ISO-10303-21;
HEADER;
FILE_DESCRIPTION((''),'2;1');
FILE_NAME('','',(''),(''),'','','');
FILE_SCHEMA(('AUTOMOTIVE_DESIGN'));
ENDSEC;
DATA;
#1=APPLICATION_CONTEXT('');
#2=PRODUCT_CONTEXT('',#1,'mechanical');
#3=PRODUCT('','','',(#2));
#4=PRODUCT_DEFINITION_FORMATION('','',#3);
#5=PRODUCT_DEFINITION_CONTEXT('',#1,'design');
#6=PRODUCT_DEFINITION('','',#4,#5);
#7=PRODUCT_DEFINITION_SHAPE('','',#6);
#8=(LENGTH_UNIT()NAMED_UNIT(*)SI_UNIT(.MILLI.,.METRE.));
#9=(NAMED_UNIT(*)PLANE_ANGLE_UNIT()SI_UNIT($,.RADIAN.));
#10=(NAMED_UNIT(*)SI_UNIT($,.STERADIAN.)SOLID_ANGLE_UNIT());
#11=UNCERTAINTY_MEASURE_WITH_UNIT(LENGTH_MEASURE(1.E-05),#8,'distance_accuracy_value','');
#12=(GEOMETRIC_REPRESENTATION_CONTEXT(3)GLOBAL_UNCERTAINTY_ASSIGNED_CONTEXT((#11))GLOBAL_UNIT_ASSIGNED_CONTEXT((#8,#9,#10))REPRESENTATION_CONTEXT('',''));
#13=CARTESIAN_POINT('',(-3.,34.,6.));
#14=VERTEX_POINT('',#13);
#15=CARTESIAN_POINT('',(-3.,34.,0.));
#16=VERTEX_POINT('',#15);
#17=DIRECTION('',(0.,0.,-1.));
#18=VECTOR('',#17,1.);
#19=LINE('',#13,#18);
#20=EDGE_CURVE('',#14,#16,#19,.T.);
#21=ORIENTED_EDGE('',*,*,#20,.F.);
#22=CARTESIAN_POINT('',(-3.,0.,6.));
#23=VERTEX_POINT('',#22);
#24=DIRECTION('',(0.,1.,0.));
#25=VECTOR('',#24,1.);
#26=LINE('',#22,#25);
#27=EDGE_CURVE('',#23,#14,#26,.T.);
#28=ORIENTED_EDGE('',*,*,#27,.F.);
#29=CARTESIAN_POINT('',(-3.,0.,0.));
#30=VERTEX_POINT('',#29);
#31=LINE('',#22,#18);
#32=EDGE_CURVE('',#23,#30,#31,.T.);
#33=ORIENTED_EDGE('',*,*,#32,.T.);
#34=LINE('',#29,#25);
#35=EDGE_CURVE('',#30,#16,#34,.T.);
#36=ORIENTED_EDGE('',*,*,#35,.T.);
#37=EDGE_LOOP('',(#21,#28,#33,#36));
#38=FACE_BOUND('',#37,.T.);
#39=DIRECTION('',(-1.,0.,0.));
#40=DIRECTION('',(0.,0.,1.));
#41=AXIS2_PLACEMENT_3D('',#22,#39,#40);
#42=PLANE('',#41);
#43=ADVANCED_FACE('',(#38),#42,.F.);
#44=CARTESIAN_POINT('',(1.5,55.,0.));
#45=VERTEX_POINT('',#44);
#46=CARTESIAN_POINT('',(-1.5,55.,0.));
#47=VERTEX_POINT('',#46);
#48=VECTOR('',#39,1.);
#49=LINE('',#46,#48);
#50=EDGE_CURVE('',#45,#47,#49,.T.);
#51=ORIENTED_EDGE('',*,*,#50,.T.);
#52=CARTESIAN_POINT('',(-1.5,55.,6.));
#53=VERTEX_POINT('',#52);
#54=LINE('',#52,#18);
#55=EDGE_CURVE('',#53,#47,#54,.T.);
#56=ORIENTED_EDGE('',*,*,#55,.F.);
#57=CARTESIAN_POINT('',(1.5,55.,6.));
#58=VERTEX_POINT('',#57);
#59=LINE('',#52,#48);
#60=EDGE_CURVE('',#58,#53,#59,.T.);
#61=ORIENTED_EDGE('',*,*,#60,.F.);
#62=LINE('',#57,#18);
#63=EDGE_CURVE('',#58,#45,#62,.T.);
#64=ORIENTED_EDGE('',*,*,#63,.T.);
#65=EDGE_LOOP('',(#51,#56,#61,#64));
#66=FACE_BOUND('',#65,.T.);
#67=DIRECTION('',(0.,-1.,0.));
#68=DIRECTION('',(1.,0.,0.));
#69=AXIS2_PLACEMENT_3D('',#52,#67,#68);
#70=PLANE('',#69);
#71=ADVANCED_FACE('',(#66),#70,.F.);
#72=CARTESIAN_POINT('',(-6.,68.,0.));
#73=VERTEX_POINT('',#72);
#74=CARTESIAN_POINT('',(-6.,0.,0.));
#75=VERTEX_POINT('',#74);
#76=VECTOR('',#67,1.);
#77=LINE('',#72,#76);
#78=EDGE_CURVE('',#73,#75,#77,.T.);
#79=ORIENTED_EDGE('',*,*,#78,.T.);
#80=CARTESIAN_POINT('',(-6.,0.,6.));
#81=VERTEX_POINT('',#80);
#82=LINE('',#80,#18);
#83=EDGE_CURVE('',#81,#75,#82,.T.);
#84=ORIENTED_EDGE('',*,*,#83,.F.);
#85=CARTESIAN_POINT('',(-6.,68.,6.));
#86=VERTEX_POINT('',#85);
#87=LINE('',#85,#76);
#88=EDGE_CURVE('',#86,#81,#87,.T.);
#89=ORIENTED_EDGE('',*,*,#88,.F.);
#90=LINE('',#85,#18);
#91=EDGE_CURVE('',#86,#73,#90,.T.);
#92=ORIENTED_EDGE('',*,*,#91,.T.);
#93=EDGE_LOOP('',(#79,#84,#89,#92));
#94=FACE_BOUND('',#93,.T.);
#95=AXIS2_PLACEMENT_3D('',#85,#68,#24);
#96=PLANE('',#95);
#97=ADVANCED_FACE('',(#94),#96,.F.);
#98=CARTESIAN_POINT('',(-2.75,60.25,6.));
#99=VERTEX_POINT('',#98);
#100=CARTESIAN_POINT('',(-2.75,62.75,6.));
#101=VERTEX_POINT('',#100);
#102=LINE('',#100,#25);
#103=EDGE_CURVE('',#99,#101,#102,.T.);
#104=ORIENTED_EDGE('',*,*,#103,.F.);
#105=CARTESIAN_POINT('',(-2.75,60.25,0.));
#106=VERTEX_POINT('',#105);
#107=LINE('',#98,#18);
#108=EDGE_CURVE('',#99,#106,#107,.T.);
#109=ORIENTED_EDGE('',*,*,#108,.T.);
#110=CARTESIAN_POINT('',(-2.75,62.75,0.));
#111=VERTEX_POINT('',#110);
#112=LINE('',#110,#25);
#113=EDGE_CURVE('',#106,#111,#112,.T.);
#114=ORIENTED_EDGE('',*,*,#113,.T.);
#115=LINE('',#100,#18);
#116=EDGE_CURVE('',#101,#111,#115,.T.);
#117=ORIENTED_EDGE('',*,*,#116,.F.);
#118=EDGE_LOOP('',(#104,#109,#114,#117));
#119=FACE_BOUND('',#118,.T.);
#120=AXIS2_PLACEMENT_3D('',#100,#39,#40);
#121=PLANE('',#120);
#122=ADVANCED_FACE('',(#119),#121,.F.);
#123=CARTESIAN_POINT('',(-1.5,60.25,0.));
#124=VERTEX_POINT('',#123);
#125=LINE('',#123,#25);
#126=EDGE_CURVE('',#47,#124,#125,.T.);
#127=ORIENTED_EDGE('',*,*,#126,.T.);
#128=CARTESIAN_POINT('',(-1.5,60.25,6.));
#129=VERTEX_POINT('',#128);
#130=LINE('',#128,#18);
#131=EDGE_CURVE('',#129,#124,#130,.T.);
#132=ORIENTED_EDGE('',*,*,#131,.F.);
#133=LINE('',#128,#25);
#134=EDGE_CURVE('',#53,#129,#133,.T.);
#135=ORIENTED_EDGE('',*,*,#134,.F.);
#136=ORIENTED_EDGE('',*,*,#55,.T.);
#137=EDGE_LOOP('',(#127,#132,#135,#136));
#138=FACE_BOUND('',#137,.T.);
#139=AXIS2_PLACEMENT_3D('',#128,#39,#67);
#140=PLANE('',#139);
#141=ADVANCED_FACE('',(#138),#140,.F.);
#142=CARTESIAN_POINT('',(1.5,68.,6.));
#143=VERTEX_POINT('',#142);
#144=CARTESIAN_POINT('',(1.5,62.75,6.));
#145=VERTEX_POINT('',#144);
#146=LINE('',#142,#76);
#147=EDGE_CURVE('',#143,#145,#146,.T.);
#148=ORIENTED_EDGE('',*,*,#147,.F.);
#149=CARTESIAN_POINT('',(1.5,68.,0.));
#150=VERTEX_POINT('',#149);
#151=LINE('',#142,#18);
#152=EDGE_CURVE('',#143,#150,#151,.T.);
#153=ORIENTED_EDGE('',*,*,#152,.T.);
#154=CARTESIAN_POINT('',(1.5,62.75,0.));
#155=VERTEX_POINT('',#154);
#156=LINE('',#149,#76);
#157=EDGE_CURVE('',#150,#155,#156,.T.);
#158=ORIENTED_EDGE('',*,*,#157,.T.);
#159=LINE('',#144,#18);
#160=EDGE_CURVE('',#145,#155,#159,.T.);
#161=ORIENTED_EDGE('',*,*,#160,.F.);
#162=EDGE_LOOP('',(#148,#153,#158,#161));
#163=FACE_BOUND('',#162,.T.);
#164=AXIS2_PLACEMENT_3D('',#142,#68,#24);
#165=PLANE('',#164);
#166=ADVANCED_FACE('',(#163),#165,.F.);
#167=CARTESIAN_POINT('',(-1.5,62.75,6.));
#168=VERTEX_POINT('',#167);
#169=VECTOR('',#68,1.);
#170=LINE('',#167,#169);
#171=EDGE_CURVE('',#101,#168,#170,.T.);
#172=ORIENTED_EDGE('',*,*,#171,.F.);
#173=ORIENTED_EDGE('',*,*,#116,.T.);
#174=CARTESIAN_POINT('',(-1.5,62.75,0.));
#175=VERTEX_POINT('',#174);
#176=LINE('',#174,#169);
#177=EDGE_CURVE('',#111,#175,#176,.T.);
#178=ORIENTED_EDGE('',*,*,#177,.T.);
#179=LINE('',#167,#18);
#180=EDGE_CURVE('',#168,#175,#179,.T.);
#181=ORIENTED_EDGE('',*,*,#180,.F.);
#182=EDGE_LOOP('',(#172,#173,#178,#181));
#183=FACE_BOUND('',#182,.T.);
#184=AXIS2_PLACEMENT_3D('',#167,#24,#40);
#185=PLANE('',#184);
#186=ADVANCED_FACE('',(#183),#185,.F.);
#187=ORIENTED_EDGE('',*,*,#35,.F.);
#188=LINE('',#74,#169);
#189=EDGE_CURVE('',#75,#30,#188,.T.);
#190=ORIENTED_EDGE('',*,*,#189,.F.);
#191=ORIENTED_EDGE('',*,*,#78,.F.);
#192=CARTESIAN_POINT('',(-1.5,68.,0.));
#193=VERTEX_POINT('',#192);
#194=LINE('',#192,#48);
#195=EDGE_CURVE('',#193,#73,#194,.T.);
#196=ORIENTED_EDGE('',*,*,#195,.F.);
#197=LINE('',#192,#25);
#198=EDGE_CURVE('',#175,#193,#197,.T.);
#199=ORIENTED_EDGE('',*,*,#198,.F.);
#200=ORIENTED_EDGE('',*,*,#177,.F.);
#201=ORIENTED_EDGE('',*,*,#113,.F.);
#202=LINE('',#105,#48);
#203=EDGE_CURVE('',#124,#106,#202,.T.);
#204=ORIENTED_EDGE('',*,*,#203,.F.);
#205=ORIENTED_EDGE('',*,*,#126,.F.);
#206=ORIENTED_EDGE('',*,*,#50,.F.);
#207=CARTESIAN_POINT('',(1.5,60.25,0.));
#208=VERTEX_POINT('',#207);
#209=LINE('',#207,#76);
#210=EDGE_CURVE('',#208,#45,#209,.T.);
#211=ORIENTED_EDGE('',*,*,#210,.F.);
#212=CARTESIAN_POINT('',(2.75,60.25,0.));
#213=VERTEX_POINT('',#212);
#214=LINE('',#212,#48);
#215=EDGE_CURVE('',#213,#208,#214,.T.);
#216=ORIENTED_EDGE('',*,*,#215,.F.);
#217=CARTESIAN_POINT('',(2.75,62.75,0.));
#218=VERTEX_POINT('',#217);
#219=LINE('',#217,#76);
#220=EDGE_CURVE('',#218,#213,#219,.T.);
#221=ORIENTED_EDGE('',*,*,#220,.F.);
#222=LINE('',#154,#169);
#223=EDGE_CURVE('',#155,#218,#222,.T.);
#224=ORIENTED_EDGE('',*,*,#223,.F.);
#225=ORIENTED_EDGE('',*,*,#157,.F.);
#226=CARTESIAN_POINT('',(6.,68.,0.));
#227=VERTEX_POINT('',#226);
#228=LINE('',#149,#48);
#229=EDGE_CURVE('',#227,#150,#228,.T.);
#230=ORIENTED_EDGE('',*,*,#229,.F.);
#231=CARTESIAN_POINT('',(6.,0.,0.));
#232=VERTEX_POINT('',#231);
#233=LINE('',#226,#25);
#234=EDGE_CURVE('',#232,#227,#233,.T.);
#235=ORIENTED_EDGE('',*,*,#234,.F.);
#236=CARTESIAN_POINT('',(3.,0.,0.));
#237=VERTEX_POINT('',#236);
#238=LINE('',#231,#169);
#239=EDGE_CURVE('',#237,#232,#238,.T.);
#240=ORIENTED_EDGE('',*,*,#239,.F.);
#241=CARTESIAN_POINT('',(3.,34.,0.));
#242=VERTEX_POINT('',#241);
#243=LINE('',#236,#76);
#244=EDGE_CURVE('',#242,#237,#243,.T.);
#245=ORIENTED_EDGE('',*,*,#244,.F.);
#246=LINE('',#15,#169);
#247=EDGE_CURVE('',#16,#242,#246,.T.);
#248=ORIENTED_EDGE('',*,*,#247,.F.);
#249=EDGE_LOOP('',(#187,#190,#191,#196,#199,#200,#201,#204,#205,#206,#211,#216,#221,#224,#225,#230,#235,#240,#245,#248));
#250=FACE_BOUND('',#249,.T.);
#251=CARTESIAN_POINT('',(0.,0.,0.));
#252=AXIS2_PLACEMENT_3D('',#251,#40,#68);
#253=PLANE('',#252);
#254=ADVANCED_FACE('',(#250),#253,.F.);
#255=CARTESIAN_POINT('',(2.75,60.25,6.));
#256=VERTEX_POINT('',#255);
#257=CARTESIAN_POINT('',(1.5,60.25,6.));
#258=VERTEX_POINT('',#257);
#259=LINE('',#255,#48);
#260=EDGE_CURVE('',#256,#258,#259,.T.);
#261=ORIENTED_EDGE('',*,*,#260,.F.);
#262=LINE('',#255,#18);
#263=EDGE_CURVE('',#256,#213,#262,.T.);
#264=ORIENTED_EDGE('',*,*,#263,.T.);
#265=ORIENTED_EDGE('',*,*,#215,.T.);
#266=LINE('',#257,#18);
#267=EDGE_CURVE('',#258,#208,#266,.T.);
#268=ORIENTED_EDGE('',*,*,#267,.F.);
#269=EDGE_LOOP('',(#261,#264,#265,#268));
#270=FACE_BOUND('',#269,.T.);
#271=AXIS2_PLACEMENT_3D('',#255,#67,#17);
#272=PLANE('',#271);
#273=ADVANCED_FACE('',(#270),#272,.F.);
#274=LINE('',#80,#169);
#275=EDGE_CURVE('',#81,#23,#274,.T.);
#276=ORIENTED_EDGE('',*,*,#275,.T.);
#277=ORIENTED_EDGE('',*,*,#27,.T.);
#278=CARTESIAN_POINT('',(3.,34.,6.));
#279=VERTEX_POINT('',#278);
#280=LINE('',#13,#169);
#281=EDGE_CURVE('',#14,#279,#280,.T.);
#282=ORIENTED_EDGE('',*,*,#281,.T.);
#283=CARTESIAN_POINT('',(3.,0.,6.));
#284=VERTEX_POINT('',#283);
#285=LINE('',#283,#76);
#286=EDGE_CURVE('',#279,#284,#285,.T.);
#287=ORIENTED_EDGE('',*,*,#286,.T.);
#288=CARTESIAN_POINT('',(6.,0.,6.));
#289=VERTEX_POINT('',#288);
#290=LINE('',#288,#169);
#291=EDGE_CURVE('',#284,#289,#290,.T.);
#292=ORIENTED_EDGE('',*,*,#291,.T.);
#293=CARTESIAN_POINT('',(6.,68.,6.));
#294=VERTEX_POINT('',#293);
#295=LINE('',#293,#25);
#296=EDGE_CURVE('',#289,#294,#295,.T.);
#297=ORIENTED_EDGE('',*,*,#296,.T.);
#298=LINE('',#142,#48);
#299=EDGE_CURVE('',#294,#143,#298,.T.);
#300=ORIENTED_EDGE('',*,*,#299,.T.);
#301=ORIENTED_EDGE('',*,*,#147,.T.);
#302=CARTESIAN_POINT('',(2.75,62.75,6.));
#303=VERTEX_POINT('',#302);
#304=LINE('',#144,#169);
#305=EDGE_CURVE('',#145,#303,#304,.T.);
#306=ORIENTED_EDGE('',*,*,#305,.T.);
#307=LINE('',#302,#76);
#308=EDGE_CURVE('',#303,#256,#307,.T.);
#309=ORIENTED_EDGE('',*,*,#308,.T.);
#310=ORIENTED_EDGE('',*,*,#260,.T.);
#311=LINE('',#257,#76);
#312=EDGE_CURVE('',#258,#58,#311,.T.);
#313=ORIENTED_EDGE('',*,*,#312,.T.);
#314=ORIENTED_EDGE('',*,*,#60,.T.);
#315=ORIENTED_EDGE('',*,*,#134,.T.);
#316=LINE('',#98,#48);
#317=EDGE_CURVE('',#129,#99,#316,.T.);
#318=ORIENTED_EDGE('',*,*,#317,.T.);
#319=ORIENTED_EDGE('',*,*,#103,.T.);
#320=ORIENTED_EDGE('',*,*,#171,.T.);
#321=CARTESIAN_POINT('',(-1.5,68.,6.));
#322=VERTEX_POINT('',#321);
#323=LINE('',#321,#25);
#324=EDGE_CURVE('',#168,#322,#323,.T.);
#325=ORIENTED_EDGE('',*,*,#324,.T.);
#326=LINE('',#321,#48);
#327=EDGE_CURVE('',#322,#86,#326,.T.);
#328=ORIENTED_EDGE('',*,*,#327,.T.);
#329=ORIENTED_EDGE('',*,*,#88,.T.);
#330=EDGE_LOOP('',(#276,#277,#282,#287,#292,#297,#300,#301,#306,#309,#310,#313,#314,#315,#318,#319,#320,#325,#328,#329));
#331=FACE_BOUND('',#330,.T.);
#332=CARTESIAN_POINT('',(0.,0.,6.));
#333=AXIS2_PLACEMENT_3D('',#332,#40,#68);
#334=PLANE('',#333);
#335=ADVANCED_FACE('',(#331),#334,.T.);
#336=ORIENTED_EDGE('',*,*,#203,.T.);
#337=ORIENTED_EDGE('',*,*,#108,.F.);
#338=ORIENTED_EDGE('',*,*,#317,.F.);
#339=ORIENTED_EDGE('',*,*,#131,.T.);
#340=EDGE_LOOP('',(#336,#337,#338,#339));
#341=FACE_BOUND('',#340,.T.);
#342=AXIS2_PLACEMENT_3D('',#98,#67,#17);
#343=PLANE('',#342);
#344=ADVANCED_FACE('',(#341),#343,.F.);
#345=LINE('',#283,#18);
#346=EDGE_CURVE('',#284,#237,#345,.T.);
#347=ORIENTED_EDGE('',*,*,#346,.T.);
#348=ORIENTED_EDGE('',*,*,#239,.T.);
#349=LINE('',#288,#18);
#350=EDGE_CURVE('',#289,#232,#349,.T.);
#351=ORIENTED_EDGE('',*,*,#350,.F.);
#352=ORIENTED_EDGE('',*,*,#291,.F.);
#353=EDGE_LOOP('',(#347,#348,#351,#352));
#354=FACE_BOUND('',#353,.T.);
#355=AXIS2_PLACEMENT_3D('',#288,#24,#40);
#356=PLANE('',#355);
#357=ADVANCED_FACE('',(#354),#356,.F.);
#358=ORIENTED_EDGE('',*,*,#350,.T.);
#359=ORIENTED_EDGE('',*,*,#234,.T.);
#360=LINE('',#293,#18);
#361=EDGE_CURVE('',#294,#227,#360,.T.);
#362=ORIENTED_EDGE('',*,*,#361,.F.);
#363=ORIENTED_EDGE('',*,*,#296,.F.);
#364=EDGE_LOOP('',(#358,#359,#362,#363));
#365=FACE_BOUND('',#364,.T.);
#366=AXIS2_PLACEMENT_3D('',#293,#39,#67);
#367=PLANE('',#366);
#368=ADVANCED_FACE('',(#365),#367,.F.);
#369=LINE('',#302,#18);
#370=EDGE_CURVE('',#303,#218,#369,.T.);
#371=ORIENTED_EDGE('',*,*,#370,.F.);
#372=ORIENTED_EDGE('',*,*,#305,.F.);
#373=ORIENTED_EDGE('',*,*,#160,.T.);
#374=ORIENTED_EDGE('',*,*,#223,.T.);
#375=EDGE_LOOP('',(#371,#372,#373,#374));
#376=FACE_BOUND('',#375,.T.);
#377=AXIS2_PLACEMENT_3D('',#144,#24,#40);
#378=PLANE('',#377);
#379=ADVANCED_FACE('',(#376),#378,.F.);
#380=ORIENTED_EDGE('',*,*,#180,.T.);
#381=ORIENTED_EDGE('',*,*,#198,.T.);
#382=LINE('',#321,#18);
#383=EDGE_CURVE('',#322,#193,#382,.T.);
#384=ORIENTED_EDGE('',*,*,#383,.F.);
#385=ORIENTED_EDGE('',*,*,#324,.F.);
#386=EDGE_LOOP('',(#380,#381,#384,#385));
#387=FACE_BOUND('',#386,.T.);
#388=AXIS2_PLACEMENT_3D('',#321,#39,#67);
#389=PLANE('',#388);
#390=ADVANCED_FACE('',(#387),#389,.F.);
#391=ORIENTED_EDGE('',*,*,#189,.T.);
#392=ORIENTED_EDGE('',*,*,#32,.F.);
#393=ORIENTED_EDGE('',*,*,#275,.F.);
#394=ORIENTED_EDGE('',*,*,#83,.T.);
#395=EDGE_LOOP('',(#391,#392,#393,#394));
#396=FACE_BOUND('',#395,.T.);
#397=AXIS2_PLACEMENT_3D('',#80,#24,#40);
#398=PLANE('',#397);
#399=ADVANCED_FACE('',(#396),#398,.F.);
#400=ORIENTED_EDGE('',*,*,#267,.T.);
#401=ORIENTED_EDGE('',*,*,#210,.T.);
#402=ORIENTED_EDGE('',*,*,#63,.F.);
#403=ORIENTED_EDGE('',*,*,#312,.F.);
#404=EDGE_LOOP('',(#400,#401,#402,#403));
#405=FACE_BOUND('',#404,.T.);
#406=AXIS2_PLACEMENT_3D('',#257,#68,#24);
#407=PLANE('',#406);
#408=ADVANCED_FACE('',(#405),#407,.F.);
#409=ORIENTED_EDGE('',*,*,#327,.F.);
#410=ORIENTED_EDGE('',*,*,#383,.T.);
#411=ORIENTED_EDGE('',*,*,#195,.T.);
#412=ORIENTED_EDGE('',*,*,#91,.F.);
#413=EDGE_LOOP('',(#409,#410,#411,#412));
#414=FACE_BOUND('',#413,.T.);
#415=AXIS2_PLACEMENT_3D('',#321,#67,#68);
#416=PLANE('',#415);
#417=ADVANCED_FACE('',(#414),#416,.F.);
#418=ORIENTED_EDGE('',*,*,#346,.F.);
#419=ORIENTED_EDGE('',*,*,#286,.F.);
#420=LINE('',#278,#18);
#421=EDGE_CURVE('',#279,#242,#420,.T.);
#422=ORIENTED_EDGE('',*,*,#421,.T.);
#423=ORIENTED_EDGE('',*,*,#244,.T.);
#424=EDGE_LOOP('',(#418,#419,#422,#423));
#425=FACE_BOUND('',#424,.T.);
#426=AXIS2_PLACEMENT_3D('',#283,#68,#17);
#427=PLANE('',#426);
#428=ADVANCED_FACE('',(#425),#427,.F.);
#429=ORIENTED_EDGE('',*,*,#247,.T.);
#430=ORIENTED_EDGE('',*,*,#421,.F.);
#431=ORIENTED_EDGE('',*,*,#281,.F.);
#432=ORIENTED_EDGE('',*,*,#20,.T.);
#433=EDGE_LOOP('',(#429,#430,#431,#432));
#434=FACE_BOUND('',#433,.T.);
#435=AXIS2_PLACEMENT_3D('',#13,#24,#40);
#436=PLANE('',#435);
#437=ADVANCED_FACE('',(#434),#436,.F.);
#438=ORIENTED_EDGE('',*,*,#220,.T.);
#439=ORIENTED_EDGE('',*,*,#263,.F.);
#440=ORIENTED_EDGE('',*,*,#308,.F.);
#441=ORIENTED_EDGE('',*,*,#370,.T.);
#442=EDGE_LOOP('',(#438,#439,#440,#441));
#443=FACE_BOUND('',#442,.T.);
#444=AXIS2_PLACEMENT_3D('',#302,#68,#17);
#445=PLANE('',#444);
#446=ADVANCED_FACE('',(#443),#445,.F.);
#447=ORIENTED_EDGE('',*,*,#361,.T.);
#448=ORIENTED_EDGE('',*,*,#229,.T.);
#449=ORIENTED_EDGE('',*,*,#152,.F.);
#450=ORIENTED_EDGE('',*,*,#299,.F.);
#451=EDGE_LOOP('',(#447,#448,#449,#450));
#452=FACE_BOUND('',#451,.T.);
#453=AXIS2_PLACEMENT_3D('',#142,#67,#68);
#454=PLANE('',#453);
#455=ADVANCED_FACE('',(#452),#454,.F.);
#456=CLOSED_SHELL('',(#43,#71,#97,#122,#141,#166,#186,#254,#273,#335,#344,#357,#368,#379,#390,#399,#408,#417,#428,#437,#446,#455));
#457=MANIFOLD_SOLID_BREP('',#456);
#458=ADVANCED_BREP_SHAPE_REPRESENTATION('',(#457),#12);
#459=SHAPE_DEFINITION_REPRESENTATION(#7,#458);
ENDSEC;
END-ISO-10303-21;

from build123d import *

# Parameters (mm, degrees)
EXTRUDE_1_DEPTH = 6


with BuildPart() as part:
    # Эскиз1 → Бобышка-Вытянуть1 (new body)
    with BuildSketch(Plane.XY):
        Polygon((-1.5, 68), (-1.5, 62.75), (-2.75, 62.75), (-2.75, 60.25), (-1.5, 60.25), (-1.5, 55), (1.5, 55), (1.5, 60.25), (2.75, 60.25), (2.75, 62.75), (1.5, 62.75), (1.5, 68), (6, 68), (6, 0), (3, 0), (3, 34), (-3, 34), (-3, 0), (-6, 0), (-6, 68), align=None)
    extrude(amount=EXTRUDE_1_DEPTH)


solid = part.part
